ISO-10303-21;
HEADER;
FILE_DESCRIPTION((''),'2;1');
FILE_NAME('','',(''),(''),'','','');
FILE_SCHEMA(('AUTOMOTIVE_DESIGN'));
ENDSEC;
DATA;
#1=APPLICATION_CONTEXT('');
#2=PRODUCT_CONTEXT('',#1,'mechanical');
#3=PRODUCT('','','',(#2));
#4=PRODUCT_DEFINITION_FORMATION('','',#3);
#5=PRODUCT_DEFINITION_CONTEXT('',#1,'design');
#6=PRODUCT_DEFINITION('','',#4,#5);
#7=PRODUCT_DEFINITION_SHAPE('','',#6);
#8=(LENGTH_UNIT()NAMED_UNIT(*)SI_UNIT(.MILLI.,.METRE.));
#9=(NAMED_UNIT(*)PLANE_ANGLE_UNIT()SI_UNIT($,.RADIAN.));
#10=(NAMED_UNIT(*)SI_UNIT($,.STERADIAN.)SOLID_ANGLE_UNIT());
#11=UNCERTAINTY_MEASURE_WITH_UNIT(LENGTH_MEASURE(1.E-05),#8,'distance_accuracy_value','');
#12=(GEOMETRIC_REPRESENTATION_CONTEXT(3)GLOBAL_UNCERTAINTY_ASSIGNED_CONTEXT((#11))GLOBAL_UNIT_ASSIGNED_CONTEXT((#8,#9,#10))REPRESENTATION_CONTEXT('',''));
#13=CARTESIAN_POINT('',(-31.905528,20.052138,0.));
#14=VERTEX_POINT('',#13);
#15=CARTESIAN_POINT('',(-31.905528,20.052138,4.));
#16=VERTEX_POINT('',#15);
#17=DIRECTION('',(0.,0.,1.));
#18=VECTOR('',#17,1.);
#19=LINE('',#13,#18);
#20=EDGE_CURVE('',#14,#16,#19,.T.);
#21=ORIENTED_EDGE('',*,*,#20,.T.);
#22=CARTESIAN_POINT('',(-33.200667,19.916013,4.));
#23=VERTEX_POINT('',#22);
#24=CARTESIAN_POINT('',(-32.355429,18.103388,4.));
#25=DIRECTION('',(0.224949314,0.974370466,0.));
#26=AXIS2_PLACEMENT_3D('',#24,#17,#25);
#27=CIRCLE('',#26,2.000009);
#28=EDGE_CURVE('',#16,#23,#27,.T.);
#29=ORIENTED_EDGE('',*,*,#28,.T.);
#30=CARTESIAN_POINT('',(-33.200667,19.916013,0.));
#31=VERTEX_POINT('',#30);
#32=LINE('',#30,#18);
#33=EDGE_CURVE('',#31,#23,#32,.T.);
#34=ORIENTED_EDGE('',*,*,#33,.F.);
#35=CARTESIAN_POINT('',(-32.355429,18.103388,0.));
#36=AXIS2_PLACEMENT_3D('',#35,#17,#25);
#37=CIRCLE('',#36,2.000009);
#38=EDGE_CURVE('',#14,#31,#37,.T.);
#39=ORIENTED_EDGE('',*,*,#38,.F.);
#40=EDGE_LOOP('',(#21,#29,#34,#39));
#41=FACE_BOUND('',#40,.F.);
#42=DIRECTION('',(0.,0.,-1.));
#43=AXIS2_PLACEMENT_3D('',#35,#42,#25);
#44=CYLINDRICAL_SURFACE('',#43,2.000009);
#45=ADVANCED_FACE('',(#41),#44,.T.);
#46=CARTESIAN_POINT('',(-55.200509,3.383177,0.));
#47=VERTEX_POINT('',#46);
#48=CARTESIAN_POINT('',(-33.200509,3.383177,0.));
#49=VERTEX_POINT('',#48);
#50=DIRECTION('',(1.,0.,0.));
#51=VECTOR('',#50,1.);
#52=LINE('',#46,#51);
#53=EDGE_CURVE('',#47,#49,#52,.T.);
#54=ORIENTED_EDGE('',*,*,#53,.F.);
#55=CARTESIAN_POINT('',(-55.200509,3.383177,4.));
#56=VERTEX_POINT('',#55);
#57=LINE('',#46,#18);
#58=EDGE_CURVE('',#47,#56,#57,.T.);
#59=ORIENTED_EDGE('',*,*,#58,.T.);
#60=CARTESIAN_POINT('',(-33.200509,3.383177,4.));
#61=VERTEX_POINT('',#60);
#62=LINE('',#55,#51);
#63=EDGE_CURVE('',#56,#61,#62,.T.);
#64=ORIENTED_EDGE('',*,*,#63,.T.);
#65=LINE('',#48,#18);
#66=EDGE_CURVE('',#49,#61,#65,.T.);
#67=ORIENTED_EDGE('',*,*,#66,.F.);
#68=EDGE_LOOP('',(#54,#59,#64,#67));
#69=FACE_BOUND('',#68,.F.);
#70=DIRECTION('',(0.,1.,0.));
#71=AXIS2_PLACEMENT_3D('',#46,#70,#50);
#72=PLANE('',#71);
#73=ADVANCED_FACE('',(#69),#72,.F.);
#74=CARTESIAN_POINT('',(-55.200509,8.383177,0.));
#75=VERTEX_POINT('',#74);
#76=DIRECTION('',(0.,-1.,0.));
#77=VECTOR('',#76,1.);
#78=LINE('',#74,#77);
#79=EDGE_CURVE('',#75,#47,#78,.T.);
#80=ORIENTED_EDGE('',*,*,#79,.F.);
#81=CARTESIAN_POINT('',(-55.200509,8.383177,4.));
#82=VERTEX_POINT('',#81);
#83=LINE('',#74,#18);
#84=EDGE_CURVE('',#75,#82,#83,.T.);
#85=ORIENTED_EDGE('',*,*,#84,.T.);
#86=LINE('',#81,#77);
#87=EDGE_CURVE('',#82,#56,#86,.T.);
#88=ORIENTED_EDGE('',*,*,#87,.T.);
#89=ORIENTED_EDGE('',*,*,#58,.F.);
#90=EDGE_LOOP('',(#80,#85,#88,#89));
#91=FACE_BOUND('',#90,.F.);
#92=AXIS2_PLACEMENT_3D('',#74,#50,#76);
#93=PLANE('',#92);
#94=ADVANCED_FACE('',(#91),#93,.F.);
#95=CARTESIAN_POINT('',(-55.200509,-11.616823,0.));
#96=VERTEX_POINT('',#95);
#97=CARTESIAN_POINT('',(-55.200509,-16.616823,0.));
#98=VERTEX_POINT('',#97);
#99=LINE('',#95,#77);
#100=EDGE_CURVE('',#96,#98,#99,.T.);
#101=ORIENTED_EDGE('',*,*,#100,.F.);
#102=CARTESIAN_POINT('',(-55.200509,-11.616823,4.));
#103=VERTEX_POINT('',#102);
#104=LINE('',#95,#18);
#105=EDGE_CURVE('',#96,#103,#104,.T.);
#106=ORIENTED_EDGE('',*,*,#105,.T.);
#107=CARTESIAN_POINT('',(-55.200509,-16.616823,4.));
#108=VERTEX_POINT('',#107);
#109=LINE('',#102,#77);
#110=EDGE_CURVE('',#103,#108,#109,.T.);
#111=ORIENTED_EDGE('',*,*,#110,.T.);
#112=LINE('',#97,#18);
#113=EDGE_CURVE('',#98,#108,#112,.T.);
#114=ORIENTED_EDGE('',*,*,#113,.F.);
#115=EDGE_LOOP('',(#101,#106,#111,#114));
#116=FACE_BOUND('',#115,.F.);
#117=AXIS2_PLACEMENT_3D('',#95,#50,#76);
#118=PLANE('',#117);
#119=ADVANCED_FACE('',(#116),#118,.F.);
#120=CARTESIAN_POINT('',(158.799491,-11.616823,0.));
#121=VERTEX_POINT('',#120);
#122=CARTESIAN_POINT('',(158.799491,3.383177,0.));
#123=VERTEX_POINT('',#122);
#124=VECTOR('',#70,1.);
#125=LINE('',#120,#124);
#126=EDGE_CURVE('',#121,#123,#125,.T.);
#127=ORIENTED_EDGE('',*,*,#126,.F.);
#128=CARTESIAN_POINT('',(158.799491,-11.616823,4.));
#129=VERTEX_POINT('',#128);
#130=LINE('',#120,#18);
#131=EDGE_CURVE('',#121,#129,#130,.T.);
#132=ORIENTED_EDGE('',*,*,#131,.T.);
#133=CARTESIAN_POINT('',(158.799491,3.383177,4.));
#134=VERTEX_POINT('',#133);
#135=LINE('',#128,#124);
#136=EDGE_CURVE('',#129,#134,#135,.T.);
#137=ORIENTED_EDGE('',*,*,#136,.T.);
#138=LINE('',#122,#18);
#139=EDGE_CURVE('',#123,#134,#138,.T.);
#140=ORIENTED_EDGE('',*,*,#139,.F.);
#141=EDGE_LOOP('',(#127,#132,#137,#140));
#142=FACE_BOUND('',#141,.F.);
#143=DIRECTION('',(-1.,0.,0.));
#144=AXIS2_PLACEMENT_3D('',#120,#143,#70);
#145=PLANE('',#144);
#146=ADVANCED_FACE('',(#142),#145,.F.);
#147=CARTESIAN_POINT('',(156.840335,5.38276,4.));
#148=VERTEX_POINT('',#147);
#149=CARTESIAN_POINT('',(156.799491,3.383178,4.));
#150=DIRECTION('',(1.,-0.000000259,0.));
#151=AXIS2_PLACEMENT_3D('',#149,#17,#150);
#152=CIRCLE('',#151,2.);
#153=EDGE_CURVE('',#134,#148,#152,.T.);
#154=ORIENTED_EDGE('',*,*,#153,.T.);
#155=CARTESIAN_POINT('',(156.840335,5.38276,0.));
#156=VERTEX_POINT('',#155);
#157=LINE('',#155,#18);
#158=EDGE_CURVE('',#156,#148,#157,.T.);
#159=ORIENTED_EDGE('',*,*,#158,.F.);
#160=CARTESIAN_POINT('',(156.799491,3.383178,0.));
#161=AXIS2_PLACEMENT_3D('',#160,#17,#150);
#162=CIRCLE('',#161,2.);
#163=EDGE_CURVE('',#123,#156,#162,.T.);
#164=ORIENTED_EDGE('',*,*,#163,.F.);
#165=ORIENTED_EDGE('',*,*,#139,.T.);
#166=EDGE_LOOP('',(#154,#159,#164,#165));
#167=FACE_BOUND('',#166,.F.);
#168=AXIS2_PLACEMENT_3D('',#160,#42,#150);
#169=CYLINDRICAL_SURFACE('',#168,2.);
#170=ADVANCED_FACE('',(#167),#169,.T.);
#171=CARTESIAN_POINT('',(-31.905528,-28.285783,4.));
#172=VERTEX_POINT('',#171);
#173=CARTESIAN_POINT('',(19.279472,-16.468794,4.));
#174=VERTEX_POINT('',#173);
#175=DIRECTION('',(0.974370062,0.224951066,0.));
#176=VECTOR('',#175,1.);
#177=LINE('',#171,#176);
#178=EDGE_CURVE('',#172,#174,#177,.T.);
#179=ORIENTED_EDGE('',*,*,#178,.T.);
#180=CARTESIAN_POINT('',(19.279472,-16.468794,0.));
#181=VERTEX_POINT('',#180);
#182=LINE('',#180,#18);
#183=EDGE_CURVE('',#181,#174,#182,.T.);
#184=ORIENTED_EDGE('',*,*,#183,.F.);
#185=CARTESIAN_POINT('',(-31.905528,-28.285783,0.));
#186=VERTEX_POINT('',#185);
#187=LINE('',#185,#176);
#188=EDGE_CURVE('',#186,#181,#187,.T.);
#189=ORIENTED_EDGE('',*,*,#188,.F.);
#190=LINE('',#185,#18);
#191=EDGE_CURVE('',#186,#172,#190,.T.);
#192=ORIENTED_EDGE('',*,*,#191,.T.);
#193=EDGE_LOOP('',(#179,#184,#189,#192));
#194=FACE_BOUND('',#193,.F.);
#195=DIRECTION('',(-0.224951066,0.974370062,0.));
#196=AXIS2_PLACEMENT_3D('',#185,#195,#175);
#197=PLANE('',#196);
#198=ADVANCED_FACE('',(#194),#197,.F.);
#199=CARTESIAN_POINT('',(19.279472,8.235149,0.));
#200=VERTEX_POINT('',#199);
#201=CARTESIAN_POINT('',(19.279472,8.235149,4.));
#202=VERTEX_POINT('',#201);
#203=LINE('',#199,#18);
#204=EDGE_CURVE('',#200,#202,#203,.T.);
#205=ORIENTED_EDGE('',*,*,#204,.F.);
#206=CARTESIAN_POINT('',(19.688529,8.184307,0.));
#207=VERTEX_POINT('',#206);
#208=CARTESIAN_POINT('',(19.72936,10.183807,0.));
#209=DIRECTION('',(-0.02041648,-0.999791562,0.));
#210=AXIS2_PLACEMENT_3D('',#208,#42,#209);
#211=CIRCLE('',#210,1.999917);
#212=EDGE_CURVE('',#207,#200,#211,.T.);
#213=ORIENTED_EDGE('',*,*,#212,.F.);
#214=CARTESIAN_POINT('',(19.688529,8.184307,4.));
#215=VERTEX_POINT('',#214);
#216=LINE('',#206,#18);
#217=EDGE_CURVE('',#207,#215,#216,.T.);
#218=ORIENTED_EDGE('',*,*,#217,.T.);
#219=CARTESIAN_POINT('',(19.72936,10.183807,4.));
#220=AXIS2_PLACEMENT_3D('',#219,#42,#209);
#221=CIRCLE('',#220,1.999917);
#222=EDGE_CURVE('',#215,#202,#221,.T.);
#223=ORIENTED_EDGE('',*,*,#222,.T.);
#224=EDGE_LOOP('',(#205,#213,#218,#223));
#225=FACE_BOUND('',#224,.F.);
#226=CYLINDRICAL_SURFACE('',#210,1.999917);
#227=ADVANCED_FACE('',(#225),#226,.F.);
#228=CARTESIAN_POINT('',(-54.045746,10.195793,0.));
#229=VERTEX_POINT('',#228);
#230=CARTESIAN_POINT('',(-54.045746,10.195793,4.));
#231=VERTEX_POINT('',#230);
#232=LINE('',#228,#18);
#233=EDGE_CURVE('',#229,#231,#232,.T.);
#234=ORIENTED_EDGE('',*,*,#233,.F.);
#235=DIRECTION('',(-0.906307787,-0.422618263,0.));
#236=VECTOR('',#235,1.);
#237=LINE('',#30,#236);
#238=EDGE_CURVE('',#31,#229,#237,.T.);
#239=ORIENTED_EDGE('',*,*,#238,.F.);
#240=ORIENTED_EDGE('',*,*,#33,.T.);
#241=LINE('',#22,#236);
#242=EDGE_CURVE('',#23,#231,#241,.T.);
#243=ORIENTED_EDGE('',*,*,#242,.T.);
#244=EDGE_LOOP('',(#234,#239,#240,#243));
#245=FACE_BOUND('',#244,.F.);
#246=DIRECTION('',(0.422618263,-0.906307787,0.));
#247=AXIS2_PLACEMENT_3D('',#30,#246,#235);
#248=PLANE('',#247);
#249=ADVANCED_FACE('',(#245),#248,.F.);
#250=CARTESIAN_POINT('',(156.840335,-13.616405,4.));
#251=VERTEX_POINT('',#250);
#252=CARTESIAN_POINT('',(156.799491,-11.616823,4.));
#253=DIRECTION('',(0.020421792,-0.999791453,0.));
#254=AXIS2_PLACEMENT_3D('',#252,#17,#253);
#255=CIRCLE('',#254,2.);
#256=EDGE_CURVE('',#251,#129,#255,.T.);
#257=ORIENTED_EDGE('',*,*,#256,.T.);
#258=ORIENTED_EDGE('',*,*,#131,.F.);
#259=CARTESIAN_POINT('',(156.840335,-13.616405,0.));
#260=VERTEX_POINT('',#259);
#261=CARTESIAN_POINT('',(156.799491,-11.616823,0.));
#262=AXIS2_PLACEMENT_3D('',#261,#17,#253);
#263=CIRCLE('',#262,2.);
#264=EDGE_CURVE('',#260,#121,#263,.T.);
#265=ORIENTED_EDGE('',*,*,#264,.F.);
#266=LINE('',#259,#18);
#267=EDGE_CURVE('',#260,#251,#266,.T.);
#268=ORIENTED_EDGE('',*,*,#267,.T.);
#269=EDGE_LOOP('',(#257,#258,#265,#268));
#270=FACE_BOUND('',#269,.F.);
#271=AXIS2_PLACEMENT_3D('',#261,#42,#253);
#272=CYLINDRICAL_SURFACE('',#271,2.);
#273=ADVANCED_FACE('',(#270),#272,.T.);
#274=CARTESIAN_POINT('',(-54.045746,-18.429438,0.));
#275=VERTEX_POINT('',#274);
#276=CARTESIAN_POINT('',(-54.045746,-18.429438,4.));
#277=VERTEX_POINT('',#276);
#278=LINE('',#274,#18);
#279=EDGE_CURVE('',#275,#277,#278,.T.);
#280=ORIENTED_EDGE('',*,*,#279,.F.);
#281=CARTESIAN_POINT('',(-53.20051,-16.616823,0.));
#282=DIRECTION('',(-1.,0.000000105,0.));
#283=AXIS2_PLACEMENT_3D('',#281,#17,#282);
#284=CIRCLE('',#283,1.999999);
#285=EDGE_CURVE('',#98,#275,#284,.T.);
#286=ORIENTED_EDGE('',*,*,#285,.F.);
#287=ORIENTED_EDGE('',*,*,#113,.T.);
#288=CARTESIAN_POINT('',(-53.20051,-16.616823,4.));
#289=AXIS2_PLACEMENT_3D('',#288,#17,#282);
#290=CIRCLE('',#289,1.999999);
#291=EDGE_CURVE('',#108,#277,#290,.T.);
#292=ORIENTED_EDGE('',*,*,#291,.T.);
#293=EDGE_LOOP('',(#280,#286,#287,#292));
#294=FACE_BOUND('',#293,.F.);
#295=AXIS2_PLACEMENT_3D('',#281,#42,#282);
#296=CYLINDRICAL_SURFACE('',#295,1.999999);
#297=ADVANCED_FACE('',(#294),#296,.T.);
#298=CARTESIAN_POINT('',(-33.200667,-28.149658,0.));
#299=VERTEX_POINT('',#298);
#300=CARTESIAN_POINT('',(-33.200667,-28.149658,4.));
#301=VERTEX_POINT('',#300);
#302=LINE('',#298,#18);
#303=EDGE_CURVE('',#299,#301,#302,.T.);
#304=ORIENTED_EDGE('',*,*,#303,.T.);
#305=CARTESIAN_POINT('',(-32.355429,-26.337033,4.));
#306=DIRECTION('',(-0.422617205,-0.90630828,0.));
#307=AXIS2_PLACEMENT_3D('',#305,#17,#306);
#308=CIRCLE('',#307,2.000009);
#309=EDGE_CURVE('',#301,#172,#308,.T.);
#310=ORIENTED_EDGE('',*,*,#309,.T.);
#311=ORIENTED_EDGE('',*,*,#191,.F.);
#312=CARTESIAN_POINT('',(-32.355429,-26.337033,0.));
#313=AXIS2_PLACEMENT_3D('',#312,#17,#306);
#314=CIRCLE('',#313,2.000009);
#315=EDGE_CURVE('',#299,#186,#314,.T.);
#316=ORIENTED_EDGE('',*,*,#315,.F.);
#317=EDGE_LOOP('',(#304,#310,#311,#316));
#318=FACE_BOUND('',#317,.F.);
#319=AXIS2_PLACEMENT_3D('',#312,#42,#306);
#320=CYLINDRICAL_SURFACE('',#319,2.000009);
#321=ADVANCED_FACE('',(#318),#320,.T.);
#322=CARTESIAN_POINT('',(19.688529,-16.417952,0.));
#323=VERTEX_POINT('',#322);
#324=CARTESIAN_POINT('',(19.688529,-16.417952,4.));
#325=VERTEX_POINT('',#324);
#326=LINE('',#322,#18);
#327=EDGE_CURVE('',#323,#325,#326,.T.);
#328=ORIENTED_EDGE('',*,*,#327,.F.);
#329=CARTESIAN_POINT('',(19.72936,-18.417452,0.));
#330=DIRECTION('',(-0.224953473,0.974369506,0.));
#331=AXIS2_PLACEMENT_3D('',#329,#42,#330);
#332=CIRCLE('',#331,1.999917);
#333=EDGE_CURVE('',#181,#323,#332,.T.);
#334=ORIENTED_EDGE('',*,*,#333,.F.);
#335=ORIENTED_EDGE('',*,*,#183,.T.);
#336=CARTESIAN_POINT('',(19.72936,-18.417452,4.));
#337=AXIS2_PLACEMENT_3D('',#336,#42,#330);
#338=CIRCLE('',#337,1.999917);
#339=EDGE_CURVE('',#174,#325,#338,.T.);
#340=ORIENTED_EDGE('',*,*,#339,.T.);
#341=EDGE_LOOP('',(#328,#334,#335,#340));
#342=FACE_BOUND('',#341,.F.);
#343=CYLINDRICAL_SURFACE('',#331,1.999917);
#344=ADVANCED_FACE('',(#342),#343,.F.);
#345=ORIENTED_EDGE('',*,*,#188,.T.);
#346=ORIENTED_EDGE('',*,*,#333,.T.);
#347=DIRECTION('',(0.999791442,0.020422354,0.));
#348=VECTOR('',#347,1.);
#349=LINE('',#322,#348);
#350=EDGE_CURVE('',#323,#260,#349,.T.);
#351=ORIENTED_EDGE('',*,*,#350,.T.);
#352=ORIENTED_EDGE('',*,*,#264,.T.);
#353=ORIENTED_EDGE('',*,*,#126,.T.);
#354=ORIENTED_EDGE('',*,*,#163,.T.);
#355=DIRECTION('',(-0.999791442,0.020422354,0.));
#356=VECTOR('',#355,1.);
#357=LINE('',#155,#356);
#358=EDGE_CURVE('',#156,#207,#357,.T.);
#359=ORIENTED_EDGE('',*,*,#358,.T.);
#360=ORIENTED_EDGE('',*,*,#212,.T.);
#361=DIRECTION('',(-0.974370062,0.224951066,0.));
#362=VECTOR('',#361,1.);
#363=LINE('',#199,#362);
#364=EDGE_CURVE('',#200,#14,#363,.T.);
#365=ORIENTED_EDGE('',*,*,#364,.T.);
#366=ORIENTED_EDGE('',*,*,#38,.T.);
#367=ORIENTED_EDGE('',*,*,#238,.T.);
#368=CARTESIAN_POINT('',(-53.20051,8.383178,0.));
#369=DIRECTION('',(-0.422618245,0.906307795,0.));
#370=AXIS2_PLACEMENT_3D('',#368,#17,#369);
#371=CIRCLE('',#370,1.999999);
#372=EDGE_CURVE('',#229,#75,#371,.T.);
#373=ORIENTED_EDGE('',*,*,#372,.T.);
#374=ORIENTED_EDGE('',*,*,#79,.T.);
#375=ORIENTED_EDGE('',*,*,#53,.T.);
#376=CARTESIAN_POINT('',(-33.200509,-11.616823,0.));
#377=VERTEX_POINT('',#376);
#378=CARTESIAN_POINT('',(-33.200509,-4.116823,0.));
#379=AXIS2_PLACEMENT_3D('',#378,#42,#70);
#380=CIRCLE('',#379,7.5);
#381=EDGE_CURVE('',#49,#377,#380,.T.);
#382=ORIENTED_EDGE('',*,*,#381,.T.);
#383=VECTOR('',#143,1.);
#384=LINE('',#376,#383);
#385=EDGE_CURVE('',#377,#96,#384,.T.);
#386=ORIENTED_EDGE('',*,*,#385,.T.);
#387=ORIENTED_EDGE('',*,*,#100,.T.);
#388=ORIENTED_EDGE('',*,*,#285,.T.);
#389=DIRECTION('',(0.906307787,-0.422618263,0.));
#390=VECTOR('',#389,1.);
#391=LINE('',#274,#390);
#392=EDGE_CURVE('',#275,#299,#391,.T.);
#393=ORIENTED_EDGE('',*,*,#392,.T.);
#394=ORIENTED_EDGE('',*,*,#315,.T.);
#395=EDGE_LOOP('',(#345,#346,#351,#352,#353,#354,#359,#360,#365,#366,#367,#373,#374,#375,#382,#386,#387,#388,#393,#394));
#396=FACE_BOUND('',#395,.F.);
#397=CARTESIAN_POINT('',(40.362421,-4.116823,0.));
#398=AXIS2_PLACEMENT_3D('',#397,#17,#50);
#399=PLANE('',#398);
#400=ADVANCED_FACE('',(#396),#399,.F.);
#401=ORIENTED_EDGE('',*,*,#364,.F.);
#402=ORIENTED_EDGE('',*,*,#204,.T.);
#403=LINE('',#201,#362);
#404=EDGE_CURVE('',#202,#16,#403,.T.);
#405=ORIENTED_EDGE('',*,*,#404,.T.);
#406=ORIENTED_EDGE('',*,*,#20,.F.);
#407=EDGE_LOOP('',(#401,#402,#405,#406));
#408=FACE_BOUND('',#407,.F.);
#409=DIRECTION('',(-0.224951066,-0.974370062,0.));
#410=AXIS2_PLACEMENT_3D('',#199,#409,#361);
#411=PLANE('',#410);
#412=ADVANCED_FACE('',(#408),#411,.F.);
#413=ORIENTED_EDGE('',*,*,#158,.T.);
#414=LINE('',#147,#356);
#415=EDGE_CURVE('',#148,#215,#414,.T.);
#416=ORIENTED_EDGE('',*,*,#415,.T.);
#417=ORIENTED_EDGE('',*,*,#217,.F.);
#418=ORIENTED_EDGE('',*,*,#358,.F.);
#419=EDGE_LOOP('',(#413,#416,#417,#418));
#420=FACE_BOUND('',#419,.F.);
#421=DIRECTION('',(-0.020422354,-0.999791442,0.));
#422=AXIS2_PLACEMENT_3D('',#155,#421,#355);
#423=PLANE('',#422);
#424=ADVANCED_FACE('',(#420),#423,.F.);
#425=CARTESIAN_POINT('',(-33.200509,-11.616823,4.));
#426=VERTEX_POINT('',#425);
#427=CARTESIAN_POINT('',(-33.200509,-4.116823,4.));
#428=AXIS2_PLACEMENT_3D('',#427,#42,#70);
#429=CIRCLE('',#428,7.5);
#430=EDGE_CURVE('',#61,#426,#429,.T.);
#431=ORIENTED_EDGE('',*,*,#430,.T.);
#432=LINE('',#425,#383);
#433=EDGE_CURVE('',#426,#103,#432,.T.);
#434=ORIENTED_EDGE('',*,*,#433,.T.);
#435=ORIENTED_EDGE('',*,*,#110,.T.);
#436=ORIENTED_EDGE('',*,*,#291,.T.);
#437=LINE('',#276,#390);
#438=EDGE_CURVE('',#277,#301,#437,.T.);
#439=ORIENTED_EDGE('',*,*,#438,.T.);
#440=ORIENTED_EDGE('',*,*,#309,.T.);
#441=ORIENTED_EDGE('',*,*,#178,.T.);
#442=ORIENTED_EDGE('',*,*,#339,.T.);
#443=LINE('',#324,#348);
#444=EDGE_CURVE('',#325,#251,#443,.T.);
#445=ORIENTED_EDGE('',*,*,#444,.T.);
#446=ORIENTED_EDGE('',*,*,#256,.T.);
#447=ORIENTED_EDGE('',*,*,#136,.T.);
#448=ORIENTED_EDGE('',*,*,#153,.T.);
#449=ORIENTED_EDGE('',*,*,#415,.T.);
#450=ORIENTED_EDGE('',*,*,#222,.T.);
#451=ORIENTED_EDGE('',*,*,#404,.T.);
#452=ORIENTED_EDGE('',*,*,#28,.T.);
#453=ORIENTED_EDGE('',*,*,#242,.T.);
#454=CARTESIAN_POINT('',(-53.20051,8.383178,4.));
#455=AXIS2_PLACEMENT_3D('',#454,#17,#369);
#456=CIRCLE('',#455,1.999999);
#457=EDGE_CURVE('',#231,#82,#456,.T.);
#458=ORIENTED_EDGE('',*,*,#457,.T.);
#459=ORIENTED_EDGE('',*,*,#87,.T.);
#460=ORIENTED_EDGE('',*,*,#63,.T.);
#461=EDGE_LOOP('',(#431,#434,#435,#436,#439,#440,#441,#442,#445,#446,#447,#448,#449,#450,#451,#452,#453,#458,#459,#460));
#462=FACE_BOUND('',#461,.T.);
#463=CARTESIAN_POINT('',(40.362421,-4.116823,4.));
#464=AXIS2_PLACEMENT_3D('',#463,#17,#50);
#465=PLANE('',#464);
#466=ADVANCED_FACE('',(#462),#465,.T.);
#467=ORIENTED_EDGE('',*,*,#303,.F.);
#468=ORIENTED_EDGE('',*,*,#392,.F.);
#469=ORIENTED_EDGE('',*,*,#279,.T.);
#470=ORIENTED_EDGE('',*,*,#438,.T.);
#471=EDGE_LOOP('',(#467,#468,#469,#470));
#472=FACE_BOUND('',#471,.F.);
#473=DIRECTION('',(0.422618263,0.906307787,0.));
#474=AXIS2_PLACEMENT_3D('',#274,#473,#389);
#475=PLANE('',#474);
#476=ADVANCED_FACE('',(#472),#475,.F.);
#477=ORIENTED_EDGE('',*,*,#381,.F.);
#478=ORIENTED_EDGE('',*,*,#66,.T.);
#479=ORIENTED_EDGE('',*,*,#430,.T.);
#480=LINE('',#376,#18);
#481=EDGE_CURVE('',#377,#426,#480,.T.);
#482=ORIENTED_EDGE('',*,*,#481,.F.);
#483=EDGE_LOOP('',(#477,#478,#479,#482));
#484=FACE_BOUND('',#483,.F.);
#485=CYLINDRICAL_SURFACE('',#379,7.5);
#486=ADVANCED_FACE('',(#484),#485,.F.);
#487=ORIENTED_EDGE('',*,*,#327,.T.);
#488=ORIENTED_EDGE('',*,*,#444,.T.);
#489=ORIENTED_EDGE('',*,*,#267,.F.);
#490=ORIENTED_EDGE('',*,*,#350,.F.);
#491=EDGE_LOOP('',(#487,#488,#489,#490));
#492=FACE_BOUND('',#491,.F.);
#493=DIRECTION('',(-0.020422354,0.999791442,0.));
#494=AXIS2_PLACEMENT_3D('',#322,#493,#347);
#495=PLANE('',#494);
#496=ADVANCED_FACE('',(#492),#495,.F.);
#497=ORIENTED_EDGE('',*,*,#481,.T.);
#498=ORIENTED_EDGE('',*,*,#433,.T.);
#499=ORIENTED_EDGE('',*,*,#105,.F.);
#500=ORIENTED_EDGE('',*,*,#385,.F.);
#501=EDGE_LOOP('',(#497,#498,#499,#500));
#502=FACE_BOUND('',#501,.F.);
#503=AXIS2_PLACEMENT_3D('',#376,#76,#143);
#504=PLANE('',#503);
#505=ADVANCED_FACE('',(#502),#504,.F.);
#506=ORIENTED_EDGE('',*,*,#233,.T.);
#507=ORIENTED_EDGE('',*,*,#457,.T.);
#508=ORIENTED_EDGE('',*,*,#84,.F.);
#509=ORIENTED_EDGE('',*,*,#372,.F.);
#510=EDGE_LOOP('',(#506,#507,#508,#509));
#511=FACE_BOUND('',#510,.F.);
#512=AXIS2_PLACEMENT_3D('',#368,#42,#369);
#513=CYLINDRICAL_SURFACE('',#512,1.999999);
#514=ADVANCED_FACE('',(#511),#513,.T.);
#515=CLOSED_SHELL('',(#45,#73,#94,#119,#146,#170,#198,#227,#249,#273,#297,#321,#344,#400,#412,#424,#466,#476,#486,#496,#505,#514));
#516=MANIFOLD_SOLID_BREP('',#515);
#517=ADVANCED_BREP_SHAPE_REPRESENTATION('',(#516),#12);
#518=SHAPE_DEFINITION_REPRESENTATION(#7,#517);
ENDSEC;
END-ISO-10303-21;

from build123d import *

# Parameters (mm, degrees)
F1_DEPTH = 4


with BuildPart() as f1:
    # F0 (on Top) → F1 (new body)
    with BuildSketch(Plane.XY):
        with BuildLine():
            Line((-55.200509, 8.383177), (-55.200509, 3.383177))
            Line((-55.200509, 3.383177), (-33.200509, 3.383177))
            ThreePointArc((-33.200509, 3.383177), (-25.700509, -4.116823), (-33.200509, -11.616823))
            Line((-33.200509, -11.616823), (-55.200509, -11.616823))
            Line((-55.200509, -11.616823), (-55.200509, -16.616823))
            ThreePointArc((-55.200509, -16.616823), (-54.887292, -17.691422), (-54.045746, -18.429438))
            Line((-54.045746, -18.429438), (-33.200667, -28.149658))
            ThreePointArc((-33.200667, -28.149658), (-32.564487, -28.326086), (-31.905528, -28.285783))
            Line((-31.905528, -28.285783), (19.279472, -16.468794))
            ThreePointArc((19.279472, -16.468794), (19.482687, -16.432806), (19.688529, -16.417952))
            Line((19.688529, -16.417952), (156.840335, -13.616405))
            ThreePointArc((156.840335, -13.616405), (158.228072, -13.016521), (158.799491, -11.616823))
            Line((158.799491, -11.616823), (158.799491, 3.383177))
            ThreePointArc((158.799491, 3.383177), (158.228072, 4.782876), (156.840335, 5.38276))
            Line((156.840335, 5.38276), (19.688529, 8.184307))
            ThreePointArc((19.688529, 8.184307), (19.482687, 8.199161), (19.279472, 8.235149))
            Line((19.279472, 8.235149), (-31.905528, 20.052138))
            ThreePointArc((-31.905528, 20.052138), (-32.564487, 20.092441), (-33.200667, 19.916013))
            Line((-33.200667, 19.916013), (-54.045746, 10.195793))
            ThreePointArc((-54.045746, 10.195793), (-54.887292, 9.457777), (-55.200509, 8.383177))
        make_face()
    extrude(amount=F1_DEPTH)


solid = f1.part
